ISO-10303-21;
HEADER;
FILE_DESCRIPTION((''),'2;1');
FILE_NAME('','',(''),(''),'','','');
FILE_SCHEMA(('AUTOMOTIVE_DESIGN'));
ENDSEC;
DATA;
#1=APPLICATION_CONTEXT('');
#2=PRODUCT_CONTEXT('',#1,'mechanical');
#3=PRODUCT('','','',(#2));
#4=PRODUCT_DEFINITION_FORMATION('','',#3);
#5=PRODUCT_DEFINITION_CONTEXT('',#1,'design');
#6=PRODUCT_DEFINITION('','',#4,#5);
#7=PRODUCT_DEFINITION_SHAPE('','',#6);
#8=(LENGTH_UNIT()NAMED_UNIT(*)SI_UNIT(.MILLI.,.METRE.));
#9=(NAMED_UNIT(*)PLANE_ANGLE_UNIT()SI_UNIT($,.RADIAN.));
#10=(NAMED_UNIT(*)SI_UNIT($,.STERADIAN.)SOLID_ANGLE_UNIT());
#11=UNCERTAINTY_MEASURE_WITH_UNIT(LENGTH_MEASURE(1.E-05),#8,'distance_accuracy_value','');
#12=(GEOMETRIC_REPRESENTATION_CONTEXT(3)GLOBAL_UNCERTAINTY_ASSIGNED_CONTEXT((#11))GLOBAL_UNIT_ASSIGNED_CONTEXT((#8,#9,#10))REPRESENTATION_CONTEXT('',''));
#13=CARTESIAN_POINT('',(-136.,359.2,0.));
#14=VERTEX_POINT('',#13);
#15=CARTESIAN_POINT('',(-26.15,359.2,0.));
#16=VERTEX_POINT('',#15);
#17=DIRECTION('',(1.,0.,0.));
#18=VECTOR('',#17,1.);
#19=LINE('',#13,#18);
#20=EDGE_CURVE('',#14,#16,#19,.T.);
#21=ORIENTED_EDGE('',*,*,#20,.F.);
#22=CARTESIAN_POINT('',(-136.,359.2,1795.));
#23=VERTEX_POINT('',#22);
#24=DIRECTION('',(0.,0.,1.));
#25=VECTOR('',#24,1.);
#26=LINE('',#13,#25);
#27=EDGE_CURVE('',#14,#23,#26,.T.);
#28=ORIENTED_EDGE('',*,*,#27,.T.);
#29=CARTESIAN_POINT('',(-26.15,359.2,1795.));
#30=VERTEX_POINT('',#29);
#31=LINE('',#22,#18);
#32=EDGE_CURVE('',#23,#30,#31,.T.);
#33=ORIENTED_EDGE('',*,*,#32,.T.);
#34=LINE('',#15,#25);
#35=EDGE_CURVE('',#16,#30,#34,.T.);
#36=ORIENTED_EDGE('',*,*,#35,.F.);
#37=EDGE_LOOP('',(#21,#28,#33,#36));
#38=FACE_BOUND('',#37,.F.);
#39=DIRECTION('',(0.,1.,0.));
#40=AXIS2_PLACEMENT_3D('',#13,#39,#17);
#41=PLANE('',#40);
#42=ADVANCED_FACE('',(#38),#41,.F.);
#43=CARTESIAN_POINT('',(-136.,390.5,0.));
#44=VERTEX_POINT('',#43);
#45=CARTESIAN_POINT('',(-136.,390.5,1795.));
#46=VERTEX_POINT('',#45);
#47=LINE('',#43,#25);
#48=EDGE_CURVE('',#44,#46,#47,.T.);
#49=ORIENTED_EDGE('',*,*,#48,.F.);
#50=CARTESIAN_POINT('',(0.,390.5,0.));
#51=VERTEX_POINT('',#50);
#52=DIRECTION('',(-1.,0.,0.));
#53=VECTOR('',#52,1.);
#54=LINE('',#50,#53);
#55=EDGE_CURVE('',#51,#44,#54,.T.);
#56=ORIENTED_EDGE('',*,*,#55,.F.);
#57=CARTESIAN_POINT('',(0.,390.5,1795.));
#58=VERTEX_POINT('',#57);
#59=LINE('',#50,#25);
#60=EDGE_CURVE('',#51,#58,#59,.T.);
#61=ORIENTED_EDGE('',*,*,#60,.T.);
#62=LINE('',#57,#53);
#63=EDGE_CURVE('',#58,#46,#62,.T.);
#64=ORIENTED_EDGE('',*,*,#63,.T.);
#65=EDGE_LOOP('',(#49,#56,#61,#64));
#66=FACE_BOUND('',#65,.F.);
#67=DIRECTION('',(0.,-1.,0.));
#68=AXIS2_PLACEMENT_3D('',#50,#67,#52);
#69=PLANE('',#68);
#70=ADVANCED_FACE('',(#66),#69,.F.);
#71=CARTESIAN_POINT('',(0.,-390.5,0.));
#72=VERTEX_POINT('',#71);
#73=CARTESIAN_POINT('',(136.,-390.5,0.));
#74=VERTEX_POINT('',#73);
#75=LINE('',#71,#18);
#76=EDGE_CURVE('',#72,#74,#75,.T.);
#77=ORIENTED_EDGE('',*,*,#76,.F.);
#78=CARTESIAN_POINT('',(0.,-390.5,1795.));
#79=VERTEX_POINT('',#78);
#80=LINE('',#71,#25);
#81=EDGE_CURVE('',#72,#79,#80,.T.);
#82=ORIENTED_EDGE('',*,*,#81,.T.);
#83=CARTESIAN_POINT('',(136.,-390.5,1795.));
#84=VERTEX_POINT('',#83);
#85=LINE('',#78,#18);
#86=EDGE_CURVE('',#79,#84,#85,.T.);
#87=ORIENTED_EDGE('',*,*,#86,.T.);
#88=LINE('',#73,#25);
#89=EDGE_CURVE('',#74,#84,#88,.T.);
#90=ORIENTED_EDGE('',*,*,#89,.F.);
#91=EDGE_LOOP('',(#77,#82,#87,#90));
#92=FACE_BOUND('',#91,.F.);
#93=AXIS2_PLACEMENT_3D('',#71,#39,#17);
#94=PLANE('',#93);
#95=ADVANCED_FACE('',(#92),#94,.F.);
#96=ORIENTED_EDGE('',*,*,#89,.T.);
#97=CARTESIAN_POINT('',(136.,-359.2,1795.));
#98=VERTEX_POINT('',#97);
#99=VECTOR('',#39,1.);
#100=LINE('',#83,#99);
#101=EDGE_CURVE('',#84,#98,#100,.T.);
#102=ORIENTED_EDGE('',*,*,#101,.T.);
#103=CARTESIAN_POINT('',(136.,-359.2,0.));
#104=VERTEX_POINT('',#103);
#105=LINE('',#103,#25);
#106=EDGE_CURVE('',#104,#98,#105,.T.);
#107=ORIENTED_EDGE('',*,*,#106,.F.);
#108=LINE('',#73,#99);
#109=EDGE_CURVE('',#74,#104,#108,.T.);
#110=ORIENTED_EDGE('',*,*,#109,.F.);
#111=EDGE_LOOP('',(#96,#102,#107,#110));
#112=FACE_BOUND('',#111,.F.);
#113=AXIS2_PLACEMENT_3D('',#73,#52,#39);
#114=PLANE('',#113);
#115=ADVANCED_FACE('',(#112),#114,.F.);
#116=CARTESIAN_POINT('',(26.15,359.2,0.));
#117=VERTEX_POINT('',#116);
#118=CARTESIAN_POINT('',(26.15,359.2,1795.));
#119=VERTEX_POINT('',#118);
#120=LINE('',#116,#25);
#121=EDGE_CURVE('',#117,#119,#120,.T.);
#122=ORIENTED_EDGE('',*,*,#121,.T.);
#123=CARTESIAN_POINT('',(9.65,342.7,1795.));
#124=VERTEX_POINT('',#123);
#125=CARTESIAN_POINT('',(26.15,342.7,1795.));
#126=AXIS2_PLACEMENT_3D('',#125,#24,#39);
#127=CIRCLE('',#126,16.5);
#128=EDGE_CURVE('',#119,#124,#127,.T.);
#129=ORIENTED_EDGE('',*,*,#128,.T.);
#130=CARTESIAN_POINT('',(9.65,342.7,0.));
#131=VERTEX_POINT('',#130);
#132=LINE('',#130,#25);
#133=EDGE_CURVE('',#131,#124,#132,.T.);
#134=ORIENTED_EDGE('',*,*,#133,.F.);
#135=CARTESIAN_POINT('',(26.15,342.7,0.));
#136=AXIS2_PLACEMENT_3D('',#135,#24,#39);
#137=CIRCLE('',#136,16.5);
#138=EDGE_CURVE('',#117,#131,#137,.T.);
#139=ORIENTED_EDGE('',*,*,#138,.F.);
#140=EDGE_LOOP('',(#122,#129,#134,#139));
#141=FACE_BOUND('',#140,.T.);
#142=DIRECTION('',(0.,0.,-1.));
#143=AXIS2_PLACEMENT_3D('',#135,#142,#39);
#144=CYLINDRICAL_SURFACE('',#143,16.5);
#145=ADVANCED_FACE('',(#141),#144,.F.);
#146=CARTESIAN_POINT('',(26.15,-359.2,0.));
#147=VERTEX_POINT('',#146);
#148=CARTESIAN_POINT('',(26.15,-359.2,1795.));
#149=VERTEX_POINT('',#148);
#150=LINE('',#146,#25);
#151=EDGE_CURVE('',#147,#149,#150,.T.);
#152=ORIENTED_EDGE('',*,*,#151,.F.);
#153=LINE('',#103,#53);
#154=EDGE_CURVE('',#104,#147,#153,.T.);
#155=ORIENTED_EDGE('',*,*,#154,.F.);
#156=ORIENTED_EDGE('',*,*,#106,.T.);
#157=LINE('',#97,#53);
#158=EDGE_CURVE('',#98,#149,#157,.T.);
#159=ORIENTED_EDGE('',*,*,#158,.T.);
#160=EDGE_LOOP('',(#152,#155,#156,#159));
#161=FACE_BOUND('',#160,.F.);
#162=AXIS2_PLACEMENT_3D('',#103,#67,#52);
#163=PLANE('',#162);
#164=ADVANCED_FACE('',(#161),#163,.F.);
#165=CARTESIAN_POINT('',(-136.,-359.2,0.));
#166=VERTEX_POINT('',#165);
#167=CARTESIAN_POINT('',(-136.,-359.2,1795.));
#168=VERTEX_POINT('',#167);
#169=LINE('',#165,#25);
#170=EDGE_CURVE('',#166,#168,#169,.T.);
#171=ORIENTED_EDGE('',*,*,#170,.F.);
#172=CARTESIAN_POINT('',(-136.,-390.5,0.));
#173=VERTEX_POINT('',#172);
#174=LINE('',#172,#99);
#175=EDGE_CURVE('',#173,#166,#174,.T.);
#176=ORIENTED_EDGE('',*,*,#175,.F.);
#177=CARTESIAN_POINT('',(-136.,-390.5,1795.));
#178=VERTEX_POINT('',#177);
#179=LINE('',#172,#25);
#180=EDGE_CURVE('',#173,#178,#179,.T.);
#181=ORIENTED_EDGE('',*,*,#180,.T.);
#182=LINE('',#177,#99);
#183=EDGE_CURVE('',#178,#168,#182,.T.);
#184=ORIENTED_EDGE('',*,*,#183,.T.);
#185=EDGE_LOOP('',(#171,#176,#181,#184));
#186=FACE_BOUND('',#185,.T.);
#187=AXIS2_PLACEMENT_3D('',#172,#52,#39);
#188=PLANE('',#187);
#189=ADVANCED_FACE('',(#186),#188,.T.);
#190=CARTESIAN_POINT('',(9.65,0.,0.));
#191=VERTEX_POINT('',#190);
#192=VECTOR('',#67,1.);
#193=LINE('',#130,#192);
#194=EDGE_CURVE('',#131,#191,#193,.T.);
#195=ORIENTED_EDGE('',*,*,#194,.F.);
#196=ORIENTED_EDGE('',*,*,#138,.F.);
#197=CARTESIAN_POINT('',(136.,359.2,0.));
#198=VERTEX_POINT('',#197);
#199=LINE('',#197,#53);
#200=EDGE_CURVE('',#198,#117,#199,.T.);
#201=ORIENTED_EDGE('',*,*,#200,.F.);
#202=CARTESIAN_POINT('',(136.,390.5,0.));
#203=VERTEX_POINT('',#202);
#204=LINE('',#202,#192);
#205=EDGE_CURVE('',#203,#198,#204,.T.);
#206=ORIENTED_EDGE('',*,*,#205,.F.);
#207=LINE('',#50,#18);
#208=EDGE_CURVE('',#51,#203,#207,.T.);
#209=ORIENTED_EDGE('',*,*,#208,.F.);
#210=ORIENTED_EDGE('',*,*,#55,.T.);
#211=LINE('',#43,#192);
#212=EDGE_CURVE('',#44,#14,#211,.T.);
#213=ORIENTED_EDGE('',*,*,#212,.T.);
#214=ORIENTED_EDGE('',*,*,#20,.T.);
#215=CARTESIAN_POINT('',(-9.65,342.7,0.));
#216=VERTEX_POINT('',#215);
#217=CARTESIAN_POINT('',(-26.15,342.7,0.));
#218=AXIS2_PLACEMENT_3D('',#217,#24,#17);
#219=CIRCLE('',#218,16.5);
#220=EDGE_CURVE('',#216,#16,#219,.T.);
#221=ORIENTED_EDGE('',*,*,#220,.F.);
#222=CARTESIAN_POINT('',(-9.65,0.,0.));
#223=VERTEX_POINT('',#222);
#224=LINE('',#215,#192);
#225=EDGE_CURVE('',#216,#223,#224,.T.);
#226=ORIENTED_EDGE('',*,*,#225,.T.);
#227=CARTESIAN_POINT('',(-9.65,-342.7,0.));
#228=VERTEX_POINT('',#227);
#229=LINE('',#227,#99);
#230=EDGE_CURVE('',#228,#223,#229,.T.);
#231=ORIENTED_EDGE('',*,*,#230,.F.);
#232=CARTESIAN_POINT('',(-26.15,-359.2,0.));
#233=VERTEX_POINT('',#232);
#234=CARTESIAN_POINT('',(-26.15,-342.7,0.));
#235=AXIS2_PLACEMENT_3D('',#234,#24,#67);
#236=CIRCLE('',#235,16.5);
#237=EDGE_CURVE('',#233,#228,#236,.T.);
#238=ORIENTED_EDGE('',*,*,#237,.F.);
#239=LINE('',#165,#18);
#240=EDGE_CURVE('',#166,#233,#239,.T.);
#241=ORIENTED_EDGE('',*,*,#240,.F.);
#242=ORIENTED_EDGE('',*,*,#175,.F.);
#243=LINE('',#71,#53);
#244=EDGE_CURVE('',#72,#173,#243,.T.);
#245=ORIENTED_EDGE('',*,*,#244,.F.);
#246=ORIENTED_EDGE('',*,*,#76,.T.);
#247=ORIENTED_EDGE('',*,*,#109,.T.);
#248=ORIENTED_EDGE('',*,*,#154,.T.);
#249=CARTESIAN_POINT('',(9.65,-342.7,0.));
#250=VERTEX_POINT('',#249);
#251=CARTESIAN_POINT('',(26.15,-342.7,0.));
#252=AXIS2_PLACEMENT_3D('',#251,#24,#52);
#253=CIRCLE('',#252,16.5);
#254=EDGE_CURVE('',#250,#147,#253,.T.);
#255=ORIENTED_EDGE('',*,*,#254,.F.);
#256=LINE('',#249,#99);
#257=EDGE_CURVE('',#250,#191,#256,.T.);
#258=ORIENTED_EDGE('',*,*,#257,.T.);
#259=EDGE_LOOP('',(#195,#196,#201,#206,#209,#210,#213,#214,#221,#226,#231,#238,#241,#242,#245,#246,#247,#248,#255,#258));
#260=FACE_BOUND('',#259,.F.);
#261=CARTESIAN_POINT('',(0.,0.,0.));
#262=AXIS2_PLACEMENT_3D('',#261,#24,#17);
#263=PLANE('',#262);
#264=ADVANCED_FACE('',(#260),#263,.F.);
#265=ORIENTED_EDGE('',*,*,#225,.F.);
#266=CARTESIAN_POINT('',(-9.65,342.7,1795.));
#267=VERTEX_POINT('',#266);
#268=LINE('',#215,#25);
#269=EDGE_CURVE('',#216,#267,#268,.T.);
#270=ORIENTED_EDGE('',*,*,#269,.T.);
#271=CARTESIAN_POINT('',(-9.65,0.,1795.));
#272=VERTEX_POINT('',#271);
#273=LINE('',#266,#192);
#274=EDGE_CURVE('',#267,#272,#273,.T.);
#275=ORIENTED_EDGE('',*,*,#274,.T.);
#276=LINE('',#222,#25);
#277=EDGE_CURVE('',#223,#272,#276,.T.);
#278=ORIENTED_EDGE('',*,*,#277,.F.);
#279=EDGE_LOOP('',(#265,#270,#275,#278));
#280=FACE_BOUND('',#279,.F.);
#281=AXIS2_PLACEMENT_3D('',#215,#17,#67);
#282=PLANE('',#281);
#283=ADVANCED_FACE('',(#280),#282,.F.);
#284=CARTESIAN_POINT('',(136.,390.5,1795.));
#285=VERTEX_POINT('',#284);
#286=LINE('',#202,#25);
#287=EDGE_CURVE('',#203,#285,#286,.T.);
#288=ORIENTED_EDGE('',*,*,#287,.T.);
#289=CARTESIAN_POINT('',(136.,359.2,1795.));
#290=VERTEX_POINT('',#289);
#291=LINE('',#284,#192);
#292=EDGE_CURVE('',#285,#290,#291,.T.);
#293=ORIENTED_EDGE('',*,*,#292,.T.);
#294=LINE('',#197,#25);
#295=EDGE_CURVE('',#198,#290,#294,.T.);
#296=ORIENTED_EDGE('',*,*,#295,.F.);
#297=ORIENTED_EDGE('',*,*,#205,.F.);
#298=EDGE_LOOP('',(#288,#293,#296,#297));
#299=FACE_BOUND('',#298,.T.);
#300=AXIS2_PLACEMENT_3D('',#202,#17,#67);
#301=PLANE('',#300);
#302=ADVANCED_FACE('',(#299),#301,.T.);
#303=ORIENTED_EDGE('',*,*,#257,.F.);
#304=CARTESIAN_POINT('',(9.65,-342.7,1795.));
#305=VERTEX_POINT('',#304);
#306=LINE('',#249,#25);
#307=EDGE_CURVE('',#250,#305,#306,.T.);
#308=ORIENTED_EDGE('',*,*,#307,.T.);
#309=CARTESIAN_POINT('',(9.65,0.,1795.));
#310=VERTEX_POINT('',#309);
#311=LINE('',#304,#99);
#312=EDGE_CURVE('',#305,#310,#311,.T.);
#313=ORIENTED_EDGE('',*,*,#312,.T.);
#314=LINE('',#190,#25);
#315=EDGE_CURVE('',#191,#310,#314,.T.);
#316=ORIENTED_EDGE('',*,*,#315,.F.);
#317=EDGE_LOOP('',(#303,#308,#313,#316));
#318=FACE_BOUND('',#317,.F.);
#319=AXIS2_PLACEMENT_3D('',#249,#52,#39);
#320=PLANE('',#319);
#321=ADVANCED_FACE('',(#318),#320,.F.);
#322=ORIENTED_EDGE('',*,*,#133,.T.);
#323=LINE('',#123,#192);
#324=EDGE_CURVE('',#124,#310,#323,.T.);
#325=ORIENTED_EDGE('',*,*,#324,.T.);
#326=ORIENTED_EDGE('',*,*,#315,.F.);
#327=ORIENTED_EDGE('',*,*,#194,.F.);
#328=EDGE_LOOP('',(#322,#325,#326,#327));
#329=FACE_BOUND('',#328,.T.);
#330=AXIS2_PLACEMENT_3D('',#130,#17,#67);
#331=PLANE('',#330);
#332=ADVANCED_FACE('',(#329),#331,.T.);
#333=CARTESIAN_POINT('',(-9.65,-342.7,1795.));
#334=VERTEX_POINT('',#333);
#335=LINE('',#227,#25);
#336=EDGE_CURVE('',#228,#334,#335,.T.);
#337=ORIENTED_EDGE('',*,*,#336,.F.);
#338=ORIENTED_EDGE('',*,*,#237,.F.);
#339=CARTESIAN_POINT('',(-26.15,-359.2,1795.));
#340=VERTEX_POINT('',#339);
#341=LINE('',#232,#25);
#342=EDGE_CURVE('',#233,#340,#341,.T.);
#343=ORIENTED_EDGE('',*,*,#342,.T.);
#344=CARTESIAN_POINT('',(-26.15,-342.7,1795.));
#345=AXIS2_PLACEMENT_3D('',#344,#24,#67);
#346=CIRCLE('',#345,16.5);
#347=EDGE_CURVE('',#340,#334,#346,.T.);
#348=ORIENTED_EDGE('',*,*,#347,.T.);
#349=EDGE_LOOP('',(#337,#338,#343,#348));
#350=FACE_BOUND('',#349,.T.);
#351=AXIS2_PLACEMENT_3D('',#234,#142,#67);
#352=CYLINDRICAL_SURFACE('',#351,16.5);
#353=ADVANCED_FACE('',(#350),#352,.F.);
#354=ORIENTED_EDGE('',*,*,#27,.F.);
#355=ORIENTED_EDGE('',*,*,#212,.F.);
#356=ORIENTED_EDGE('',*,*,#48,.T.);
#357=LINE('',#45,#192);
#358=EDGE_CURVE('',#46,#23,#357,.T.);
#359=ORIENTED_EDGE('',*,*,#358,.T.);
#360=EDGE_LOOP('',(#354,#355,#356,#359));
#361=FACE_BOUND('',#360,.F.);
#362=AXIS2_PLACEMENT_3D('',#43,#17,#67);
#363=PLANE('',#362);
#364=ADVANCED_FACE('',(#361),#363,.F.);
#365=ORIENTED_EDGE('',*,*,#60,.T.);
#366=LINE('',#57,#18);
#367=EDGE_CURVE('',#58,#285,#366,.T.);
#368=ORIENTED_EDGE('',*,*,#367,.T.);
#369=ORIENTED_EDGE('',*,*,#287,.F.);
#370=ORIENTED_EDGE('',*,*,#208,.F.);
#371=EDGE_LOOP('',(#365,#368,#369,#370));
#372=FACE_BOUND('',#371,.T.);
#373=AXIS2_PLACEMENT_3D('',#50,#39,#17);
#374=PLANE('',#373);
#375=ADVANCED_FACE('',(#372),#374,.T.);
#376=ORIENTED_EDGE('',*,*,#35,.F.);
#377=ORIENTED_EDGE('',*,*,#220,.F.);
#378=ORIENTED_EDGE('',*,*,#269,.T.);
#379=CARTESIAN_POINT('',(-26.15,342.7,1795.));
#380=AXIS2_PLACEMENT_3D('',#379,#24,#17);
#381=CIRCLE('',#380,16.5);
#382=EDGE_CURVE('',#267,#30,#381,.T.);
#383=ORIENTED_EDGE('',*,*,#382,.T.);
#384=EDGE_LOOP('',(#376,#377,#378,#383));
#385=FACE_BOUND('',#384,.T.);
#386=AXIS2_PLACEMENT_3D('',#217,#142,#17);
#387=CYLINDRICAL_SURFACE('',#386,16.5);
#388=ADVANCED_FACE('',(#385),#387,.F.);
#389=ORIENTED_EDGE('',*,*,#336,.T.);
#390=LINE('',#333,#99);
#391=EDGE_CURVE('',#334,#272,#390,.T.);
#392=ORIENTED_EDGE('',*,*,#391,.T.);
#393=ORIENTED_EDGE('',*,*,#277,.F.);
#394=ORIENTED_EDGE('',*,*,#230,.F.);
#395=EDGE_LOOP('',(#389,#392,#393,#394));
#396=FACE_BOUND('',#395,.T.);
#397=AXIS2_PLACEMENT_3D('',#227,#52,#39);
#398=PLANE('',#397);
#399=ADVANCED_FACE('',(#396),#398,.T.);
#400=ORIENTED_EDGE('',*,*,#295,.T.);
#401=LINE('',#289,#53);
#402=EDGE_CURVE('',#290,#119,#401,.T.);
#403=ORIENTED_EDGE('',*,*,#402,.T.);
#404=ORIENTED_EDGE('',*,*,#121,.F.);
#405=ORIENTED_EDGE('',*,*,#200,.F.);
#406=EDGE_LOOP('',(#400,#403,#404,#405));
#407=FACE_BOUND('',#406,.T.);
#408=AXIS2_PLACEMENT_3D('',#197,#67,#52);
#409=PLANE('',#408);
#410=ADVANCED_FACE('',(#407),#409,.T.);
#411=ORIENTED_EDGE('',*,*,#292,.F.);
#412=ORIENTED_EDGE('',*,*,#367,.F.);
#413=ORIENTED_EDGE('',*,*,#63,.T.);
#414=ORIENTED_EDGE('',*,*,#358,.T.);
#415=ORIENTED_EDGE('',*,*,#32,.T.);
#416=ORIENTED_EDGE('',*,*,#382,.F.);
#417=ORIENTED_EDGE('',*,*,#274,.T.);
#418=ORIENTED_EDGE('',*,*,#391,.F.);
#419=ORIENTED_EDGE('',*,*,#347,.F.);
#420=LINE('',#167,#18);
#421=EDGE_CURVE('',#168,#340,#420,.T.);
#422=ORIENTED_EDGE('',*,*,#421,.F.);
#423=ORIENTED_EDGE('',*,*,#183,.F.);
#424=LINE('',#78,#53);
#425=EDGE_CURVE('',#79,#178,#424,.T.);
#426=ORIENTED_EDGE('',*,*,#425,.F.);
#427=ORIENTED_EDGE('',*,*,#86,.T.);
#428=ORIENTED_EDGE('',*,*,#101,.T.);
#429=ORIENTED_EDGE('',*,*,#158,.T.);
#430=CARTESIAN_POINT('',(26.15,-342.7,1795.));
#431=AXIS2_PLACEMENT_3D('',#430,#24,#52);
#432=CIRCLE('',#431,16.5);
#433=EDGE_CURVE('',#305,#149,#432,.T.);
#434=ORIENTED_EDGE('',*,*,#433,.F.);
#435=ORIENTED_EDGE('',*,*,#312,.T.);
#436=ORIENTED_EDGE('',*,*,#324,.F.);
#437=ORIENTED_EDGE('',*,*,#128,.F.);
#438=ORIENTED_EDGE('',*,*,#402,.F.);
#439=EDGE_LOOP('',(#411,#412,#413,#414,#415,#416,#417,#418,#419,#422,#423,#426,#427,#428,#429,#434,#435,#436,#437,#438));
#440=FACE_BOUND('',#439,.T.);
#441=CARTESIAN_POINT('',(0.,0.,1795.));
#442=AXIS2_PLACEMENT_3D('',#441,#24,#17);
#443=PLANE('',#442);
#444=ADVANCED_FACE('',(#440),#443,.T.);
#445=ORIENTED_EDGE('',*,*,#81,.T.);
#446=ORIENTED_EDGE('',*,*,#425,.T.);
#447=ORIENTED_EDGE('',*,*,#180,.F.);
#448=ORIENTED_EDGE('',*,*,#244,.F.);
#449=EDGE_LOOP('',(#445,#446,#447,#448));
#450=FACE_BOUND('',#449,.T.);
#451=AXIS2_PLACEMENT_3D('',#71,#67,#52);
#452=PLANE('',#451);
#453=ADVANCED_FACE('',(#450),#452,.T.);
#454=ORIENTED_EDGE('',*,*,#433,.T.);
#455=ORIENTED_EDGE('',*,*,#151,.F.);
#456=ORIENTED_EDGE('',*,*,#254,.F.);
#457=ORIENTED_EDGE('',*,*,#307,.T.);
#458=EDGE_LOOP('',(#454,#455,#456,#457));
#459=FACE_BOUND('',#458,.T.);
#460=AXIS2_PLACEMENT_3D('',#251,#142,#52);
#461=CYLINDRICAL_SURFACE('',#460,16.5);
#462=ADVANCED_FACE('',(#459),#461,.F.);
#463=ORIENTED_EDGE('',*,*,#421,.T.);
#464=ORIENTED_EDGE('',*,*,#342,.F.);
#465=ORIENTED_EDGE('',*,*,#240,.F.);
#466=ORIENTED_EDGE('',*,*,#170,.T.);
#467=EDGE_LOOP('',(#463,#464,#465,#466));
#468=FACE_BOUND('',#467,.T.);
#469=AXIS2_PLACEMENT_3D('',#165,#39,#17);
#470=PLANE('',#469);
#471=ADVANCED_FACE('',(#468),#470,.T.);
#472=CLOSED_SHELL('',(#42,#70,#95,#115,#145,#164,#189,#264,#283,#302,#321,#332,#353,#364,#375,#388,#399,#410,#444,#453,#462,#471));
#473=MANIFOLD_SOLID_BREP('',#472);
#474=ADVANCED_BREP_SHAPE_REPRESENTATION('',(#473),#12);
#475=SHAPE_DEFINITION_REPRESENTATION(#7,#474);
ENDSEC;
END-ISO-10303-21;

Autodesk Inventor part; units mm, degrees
ref_plane "YZ Plane" through (0, 0, 0) normal (1, 0, 0) x (0, 1, 0)
ref_plane "Start plane" through (0, 0, 0) normal (0, 0, 1) x (1, 0, 0)
ref_plane "End plane" through (0, 0, 1795) normal (0, 0, 1) x (1, 0, 0)
sketch "Sketch" plane through (0, 0, 0) normal (0, 0, 1) x (1, 0, 0)
  line L0 (-136, -390.5) -> (-136, -359.2)
  line L1 (-136, -359.2) -> (-26.15, -359.2)
  line L2 (-9.65, -342.7) -> (-9.65, 0)
  line L3 (-9.65, 0) -> (0, 0) construction
  line L4 (0, 0) -> (0, -390.5) construction
  line L5 (0, -390.5) -> (-136, -390.5)
  line L6 (-60, 0) -> (80, 0) construction
  line L7 (0, -60) -> (0, 80) construction
  line L8 (136, -390.5) -> (136, -359.2)
  line L9 (136, -359.2) -> (26.15, -359.2)
  line L10 (9.65, -342.7) -> (9.65, 0)
  line L11 (9.65, 0) -> (0, 0) construction
  line L12 (0, -390.5) -> (136, -390.5)
  line L13 (-136, 390.5) -> (-136, 359.2)
  line L14 (-136, 359.2) -> (-26.15, 359.2)
  line L15 (-9.65, 342.7) -> (-9.65, 0)
  line L16 (0, 390.5) -> (-136, 390.5)
  line L17 (136, 390.5) -> (136, 359.2)
  line L18 (136, 359.2) -> (26.15, 359.2)
  line L19 (0, 390.5) -> (136, 390.5)
  line L20 (9.65, 342.7) -> (9.65, 0)
  arc A0 (-9.65, 342.7) -> (-26.15, 359.2) centre (-26.15, 342.7) ccw
  arc A1 (26.15, 359.2) -> (9.65, 342.7) centre (26.15, 342.7) ccw
  arc A2 (9.65, -342.7) -> (26.15, -359.2) centre (26.15, -342.7) ccw
  arc A3 (-26.15, -359.2) -> (-9.65, -342.7) centre (-26.15, -342.7) ccw
  line L21 (0, 108) -> (0, -88) construction
  line L22 (-88, 0) -> (108, 0) construction
  point P0 (-9.65, -359.2)
  point P1 (9.65, -359.2)
  point P2 (-9.65, 359.2)
  point P3 (9.65, 359.2)
  dimension "d1" = 390.5
  dimension "d2" = 31.3
  dimension "d3" = 136
  dimension "d4" = 9.65
  dimension "d10" = 16.5
extrude "Body" add sketch "Sketch" along normal up to surface (1795 mm away) from surface at 0
sketch "Sketch4" plane through (0, 0, 0) normal (0, 0, 1) x (1, 0, 0)
  line L0 (0, 0) -> (10, 0)
ref_plane "Work Plane3" through (0, 0, 0) normal (0, -1, 0) x (1, 0, 0)
sketch "Sketch5" plane through (0, 0, 0) normal (0, -1, 0) x (1, 0, 0)
  line L0 (-2, 0) -> (12, 0) projected
  line L1 (-2, 1795) -> (12, 1795) projected
  dimension "d14" = 1795
equation "\"d1\" = 0.5 * G_H"
equation "\"d2\" = G_T1"
equation "\"d3\" = 0.5 * G_W"
equation "\"d4\" = 0.5 * G_T"
equation "\"d10\" = G_IR"
equation "\"d5\" = G_L"
equation "\"G_W\" = 272"
equation "\"G_H\" = 781"
equation "\"G_T\" = 19.3"
equation "\"G_T1\" = 31.3"
equation "\"G_IR\" = 16.5"
equation "\"G_L\" = d14"
equation "\"G_OFFSET_START\" = 0"
equation "\"G_OFFSET_END\" = 0"
equation "\"d12\" = G_OFFSET_END + B_L"
equation "\"B_L\" = 1795"
properties part number "AS 3679-1990 - 760 UB - 244 - 1795" material "Steel, Mild"
